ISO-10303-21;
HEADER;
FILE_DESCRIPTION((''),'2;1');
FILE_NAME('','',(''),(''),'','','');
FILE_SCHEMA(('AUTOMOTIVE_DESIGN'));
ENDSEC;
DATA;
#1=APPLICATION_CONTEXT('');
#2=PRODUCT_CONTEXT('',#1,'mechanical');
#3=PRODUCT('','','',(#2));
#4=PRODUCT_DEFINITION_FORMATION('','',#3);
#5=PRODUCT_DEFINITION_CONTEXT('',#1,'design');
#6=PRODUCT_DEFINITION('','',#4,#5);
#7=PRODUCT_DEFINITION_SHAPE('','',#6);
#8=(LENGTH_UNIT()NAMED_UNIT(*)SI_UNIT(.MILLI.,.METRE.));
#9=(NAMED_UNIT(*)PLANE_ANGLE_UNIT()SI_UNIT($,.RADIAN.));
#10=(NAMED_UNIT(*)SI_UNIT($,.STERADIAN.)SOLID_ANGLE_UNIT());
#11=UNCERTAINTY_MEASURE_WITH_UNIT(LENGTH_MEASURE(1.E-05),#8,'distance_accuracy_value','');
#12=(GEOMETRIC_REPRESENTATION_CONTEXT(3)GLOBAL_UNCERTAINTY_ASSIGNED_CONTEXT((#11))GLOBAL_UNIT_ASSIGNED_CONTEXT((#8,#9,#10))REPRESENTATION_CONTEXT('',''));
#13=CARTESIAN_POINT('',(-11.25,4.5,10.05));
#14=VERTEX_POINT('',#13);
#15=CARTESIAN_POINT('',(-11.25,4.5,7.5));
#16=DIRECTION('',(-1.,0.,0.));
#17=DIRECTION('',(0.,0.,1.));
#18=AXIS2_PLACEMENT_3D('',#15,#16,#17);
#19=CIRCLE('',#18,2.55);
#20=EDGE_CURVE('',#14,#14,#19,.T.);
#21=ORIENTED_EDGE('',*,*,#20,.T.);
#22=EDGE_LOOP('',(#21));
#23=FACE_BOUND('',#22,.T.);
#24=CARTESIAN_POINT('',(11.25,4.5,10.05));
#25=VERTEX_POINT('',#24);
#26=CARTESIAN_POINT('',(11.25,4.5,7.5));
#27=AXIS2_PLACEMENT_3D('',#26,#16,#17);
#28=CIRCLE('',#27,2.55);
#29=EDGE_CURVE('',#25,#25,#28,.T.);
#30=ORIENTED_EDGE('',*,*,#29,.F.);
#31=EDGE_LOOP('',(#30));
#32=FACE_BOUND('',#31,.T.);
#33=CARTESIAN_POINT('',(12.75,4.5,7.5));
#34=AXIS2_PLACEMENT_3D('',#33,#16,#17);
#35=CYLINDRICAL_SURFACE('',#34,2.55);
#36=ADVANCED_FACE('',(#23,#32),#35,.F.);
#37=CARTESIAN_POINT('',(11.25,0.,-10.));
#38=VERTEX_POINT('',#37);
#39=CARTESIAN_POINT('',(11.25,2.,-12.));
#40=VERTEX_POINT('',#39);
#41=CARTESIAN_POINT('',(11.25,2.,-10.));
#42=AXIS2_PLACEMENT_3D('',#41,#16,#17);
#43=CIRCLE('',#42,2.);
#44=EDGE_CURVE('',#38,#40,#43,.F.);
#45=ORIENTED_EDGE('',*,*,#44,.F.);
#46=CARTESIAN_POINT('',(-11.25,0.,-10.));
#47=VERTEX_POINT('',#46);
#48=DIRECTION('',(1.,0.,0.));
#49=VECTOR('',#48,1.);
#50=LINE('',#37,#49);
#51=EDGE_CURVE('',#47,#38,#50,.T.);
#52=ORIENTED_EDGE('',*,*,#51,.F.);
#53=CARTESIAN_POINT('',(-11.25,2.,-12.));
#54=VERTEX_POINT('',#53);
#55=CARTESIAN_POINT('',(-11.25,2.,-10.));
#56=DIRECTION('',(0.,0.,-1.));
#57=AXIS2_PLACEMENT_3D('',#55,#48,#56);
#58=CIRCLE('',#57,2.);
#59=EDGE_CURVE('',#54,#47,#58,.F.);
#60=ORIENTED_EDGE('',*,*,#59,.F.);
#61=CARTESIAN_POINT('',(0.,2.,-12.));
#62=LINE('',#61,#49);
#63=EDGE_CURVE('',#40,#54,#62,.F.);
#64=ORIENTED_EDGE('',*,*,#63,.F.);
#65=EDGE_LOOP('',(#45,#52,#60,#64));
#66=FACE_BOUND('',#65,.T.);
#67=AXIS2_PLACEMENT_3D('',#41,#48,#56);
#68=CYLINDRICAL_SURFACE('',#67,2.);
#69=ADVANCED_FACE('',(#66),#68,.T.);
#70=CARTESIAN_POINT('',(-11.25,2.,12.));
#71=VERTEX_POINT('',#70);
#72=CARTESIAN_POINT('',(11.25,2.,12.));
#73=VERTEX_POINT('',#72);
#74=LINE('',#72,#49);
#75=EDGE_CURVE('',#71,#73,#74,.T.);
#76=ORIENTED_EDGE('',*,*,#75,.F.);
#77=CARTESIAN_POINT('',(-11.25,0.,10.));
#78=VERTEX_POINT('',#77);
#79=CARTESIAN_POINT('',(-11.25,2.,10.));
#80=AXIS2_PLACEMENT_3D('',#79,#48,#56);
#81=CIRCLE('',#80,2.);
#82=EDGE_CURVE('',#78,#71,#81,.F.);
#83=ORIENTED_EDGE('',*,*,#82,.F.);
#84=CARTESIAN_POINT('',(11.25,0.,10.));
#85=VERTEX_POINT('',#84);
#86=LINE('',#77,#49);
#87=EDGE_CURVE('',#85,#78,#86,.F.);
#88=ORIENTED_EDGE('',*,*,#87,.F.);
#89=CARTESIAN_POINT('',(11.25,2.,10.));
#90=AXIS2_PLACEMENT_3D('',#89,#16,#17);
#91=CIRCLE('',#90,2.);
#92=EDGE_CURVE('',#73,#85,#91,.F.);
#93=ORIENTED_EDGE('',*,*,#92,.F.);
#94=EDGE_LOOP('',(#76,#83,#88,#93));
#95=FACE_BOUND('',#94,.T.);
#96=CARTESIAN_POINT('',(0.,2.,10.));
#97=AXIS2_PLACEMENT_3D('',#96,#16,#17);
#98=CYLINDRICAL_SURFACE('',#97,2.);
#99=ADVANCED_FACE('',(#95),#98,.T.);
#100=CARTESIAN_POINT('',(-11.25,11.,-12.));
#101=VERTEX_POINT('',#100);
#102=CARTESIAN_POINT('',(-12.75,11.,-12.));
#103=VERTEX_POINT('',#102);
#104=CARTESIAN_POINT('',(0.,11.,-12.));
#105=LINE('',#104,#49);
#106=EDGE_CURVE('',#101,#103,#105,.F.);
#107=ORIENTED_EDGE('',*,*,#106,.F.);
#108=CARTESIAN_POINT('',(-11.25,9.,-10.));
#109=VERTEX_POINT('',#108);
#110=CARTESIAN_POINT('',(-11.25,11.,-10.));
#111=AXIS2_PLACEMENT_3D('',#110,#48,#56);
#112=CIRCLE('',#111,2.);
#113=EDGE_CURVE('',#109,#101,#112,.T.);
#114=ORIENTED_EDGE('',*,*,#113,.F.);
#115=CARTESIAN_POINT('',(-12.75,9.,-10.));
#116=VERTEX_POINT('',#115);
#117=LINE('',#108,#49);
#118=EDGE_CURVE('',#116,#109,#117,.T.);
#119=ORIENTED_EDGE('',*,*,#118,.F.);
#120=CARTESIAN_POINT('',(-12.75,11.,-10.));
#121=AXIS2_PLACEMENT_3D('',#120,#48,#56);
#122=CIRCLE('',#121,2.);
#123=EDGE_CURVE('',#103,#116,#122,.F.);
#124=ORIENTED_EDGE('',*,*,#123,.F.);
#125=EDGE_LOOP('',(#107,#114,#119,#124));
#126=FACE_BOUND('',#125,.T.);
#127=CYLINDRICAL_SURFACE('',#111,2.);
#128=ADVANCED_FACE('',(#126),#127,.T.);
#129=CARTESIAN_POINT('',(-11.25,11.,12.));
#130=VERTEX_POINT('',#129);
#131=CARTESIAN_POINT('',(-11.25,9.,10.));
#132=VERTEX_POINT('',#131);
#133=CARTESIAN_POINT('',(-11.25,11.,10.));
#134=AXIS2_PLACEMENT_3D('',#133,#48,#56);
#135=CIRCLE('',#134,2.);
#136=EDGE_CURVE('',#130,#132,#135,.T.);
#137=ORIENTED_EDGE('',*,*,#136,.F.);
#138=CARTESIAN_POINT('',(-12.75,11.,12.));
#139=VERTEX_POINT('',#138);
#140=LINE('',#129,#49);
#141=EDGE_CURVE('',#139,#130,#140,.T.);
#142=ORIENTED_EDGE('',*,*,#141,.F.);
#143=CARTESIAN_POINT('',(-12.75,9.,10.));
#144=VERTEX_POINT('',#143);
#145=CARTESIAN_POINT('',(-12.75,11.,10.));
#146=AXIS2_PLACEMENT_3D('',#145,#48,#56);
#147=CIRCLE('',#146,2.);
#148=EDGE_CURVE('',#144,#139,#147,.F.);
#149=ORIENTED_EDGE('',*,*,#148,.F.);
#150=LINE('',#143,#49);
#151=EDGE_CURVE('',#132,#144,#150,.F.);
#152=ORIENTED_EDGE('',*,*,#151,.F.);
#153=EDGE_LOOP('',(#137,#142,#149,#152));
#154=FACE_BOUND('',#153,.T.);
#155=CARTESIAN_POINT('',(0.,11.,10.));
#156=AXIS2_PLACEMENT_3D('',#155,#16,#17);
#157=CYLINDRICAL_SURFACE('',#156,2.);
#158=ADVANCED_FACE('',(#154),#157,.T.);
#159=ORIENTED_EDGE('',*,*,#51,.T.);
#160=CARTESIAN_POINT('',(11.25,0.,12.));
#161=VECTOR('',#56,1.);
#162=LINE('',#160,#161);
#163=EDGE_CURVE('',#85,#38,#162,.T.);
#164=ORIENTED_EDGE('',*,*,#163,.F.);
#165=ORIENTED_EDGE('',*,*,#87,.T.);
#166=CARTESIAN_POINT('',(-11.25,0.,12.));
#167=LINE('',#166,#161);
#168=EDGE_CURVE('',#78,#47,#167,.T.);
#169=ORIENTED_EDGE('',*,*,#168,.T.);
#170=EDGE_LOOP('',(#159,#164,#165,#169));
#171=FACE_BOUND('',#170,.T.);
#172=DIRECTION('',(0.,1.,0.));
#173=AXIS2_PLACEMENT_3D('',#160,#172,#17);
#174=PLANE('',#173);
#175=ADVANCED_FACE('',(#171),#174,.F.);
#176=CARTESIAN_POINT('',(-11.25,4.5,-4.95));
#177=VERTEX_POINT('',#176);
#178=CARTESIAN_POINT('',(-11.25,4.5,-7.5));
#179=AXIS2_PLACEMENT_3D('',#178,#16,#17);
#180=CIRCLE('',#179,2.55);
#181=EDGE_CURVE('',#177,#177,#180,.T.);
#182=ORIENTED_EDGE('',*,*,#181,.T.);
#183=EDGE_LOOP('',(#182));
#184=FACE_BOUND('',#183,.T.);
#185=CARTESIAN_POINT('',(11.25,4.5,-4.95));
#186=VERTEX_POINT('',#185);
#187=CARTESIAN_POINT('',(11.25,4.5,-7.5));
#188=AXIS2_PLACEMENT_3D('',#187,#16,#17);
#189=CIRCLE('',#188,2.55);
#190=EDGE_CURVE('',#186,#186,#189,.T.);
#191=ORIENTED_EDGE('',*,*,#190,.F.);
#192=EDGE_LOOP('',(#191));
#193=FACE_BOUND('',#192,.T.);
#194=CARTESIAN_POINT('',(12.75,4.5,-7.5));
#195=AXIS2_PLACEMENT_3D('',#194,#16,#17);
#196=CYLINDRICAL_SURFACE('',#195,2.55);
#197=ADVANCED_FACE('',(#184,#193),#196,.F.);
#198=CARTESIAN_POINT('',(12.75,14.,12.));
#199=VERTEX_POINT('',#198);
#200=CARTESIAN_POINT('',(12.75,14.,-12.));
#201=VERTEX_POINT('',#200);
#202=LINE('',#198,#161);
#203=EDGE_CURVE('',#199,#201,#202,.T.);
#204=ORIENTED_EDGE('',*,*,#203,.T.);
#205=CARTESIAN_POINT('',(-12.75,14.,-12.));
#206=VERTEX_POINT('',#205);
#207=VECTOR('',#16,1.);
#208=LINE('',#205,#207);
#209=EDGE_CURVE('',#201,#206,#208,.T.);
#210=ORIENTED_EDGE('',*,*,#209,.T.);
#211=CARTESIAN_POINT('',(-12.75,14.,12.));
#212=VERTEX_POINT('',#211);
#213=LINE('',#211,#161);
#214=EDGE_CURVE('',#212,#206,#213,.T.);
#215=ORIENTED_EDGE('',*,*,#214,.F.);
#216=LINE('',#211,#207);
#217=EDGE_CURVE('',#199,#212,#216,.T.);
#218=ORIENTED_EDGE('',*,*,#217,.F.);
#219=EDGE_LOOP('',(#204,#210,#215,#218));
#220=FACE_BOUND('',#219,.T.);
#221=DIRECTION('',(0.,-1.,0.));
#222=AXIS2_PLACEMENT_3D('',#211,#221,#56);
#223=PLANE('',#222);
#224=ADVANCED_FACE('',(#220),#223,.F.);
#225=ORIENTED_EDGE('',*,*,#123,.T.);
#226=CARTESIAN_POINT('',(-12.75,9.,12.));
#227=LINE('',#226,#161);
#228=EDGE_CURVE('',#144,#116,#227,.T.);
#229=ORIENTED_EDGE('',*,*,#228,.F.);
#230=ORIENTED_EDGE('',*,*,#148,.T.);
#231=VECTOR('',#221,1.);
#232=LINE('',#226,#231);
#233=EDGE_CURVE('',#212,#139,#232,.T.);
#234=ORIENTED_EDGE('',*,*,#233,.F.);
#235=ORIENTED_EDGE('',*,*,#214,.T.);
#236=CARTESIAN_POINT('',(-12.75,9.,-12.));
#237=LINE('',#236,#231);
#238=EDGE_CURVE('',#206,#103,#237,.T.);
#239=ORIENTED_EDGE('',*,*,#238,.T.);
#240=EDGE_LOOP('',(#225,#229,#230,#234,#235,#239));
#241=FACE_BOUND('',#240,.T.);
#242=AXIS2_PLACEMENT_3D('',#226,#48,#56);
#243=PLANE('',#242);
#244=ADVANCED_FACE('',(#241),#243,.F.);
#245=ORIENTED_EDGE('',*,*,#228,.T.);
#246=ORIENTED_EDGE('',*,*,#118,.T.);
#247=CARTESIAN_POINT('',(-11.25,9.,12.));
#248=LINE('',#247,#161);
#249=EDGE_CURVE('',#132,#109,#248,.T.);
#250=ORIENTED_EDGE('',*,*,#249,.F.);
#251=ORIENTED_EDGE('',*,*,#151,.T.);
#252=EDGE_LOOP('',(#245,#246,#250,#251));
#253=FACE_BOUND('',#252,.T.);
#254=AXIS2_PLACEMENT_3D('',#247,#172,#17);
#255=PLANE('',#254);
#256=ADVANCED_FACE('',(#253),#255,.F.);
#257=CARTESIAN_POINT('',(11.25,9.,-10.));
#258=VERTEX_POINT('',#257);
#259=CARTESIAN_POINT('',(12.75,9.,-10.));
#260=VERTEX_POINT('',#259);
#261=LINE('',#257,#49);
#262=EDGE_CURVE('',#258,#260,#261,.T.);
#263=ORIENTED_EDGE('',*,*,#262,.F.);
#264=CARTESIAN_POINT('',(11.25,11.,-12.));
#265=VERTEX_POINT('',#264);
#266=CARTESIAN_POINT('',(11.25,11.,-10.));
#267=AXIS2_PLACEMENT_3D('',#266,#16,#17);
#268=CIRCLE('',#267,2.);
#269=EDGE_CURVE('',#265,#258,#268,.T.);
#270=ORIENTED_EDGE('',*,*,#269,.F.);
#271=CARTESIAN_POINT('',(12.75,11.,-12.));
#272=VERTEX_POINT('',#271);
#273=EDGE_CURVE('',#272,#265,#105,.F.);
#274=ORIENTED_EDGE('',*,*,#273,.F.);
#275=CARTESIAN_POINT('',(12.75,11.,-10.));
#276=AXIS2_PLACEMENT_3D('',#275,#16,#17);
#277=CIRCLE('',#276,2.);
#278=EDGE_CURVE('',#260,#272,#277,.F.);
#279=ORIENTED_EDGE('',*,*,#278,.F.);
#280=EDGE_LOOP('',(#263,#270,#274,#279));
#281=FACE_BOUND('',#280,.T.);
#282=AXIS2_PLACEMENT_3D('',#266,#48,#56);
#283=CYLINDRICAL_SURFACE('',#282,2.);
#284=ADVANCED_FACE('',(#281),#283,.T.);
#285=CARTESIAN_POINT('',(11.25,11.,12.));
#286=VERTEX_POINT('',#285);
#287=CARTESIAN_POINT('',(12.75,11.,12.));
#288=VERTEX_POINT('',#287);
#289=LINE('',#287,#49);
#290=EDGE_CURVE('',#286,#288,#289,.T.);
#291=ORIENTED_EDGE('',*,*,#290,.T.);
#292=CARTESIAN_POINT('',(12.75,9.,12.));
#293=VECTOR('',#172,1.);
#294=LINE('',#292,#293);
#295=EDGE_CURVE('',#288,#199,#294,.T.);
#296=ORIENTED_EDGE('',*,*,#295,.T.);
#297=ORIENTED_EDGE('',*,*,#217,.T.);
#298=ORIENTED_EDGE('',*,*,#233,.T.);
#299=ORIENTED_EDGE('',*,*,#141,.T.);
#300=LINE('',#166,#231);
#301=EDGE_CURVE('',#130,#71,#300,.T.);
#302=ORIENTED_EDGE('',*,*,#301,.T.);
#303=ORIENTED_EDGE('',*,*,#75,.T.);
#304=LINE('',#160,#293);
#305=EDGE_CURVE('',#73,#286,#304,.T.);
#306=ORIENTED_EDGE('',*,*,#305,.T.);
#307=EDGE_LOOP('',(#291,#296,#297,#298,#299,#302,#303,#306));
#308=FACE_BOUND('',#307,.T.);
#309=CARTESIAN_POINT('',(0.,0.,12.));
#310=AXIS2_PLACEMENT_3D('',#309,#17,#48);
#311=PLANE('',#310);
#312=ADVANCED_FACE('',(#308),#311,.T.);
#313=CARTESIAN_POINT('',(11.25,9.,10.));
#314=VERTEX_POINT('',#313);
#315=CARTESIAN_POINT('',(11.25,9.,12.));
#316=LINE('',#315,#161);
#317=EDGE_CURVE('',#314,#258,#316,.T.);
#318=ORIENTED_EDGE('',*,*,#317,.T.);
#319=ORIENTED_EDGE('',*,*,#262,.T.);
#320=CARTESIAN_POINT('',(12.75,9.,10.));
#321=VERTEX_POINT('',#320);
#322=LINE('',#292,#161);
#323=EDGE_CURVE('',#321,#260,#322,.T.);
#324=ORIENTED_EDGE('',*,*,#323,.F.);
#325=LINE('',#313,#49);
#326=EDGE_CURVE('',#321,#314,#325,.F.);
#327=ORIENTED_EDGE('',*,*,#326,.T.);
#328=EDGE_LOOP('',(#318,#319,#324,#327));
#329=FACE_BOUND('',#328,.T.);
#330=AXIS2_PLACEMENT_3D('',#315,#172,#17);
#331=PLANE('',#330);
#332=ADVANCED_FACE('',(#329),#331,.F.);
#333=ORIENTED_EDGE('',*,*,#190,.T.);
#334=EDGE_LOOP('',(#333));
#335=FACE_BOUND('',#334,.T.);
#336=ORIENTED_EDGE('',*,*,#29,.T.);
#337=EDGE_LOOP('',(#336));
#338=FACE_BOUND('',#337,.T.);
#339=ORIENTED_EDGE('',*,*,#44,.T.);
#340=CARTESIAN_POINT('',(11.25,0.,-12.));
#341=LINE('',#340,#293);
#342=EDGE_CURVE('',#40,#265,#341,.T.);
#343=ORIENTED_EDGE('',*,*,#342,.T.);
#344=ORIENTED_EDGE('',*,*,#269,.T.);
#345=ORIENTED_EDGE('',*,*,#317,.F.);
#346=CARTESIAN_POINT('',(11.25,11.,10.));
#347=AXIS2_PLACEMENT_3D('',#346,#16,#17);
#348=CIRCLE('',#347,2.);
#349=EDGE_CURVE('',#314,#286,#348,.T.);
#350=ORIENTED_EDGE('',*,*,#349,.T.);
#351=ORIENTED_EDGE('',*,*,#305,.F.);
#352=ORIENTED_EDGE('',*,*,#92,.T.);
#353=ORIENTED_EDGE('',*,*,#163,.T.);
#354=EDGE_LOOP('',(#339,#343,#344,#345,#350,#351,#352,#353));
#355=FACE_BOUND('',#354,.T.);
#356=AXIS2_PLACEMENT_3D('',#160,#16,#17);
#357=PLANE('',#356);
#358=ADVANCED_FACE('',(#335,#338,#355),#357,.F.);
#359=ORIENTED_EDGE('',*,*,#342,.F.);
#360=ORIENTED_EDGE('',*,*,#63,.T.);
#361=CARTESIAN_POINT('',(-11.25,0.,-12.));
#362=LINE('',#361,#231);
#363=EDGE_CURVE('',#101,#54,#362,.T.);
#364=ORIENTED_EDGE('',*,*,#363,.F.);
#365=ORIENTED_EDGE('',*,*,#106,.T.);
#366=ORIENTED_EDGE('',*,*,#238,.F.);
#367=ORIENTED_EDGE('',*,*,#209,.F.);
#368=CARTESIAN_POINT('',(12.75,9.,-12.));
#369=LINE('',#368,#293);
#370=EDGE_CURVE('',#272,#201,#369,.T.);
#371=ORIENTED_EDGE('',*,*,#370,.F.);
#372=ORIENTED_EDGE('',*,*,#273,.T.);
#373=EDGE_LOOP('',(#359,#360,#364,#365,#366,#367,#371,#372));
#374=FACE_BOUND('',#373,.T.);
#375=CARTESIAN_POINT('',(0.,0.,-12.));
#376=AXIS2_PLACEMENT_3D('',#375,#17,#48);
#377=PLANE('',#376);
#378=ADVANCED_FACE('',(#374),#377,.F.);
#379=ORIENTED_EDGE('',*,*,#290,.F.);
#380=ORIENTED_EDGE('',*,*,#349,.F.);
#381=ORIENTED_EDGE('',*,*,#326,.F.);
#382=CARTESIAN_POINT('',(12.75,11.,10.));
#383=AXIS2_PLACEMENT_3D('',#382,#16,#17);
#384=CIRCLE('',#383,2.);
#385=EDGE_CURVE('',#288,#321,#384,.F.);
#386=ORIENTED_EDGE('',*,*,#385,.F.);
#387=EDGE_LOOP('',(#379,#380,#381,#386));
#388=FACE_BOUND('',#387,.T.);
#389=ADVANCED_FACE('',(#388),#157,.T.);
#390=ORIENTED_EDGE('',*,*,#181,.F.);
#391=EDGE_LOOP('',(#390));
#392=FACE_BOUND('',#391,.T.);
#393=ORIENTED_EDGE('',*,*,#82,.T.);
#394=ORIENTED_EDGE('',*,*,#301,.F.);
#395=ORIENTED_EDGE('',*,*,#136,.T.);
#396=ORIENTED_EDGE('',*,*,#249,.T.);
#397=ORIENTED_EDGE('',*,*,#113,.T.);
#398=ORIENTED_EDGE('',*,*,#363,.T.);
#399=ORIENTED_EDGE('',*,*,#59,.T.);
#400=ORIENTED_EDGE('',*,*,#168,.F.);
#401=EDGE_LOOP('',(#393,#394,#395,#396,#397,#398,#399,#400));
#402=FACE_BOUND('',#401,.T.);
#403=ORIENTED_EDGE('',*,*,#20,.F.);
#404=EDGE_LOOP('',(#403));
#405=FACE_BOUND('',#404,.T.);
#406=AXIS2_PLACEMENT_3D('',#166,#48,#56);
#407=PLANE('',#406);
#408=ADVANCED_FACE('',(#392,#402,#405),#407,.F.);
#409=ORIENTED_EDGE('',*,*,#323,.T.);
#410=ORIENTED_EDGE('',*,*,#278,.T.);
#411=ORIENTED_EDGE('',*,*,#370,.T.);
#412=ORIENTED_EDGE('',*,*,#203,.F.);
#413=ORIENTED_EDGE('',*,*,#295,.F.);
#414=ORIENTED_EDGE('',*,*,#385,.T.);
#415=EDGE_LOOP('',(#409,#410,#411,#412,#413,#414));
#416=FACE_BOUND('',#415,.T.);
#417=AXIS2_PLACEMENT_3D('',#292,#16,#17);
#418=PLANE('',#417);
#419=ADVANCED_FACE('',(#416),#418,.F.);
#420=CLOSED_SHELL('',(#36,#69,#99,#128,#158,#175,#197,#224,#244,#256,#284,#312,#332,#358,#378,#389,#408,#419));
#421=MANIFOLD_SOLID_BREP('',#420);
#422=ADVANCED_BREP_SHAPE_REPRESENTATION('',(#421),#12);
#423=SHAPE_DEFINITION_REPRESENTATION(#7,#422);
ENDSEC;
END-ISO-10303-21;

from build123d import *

# Parameters (mm, degrees)
MAIN_BODY_DEPTH            = 12
SKETCH2_R                  = 2.55
CLEARANCE_M3_INSERTS_DEPTH = 25
CONTOURING_R               = 2


with BuildPart() as part:
    # Sketch1 → Main Body (new body, symmetric)
    with BuildSketch(Plane.XY):
        Polygon((11.25, 0), (-11.25, 0), (-11.25, 9), (-12.75, 9), (-12.75, 14), (12.75, 14), (12.75, 9), (11.25, 9), align=None)
    extrude(amount=MAIN_BODY_DEPTH, both=True)

    # Sketch2 → Clearance - M3 Inserts (cut, through all)
    with BuildSketch(Plane.ZY.offset(11.25)):
        with Locations((-7.5, 4.5)):
            Circle(SKETCH2_R)
        with Locations((7.5, 4.5)):
            Circle(SKETCH2_R)
    extrude(amount=-CLEARANCE_M3_INSERTS_DEPTH, mode=Mode.SUBTRACT)

    # Contouring
    contouring_edges = [part.edges().sort_by_distance(p)[0] for p in [
        (12, 9, -12),
        (-12, 9, 12),
        (0, 0, 12),
        (12, 9, 12),
        (0, 0, -12),
        (-12, 9, -12),
    ]]
    fillet(contouring_edges, radius=CONTOURING_R)


solid = part.part
